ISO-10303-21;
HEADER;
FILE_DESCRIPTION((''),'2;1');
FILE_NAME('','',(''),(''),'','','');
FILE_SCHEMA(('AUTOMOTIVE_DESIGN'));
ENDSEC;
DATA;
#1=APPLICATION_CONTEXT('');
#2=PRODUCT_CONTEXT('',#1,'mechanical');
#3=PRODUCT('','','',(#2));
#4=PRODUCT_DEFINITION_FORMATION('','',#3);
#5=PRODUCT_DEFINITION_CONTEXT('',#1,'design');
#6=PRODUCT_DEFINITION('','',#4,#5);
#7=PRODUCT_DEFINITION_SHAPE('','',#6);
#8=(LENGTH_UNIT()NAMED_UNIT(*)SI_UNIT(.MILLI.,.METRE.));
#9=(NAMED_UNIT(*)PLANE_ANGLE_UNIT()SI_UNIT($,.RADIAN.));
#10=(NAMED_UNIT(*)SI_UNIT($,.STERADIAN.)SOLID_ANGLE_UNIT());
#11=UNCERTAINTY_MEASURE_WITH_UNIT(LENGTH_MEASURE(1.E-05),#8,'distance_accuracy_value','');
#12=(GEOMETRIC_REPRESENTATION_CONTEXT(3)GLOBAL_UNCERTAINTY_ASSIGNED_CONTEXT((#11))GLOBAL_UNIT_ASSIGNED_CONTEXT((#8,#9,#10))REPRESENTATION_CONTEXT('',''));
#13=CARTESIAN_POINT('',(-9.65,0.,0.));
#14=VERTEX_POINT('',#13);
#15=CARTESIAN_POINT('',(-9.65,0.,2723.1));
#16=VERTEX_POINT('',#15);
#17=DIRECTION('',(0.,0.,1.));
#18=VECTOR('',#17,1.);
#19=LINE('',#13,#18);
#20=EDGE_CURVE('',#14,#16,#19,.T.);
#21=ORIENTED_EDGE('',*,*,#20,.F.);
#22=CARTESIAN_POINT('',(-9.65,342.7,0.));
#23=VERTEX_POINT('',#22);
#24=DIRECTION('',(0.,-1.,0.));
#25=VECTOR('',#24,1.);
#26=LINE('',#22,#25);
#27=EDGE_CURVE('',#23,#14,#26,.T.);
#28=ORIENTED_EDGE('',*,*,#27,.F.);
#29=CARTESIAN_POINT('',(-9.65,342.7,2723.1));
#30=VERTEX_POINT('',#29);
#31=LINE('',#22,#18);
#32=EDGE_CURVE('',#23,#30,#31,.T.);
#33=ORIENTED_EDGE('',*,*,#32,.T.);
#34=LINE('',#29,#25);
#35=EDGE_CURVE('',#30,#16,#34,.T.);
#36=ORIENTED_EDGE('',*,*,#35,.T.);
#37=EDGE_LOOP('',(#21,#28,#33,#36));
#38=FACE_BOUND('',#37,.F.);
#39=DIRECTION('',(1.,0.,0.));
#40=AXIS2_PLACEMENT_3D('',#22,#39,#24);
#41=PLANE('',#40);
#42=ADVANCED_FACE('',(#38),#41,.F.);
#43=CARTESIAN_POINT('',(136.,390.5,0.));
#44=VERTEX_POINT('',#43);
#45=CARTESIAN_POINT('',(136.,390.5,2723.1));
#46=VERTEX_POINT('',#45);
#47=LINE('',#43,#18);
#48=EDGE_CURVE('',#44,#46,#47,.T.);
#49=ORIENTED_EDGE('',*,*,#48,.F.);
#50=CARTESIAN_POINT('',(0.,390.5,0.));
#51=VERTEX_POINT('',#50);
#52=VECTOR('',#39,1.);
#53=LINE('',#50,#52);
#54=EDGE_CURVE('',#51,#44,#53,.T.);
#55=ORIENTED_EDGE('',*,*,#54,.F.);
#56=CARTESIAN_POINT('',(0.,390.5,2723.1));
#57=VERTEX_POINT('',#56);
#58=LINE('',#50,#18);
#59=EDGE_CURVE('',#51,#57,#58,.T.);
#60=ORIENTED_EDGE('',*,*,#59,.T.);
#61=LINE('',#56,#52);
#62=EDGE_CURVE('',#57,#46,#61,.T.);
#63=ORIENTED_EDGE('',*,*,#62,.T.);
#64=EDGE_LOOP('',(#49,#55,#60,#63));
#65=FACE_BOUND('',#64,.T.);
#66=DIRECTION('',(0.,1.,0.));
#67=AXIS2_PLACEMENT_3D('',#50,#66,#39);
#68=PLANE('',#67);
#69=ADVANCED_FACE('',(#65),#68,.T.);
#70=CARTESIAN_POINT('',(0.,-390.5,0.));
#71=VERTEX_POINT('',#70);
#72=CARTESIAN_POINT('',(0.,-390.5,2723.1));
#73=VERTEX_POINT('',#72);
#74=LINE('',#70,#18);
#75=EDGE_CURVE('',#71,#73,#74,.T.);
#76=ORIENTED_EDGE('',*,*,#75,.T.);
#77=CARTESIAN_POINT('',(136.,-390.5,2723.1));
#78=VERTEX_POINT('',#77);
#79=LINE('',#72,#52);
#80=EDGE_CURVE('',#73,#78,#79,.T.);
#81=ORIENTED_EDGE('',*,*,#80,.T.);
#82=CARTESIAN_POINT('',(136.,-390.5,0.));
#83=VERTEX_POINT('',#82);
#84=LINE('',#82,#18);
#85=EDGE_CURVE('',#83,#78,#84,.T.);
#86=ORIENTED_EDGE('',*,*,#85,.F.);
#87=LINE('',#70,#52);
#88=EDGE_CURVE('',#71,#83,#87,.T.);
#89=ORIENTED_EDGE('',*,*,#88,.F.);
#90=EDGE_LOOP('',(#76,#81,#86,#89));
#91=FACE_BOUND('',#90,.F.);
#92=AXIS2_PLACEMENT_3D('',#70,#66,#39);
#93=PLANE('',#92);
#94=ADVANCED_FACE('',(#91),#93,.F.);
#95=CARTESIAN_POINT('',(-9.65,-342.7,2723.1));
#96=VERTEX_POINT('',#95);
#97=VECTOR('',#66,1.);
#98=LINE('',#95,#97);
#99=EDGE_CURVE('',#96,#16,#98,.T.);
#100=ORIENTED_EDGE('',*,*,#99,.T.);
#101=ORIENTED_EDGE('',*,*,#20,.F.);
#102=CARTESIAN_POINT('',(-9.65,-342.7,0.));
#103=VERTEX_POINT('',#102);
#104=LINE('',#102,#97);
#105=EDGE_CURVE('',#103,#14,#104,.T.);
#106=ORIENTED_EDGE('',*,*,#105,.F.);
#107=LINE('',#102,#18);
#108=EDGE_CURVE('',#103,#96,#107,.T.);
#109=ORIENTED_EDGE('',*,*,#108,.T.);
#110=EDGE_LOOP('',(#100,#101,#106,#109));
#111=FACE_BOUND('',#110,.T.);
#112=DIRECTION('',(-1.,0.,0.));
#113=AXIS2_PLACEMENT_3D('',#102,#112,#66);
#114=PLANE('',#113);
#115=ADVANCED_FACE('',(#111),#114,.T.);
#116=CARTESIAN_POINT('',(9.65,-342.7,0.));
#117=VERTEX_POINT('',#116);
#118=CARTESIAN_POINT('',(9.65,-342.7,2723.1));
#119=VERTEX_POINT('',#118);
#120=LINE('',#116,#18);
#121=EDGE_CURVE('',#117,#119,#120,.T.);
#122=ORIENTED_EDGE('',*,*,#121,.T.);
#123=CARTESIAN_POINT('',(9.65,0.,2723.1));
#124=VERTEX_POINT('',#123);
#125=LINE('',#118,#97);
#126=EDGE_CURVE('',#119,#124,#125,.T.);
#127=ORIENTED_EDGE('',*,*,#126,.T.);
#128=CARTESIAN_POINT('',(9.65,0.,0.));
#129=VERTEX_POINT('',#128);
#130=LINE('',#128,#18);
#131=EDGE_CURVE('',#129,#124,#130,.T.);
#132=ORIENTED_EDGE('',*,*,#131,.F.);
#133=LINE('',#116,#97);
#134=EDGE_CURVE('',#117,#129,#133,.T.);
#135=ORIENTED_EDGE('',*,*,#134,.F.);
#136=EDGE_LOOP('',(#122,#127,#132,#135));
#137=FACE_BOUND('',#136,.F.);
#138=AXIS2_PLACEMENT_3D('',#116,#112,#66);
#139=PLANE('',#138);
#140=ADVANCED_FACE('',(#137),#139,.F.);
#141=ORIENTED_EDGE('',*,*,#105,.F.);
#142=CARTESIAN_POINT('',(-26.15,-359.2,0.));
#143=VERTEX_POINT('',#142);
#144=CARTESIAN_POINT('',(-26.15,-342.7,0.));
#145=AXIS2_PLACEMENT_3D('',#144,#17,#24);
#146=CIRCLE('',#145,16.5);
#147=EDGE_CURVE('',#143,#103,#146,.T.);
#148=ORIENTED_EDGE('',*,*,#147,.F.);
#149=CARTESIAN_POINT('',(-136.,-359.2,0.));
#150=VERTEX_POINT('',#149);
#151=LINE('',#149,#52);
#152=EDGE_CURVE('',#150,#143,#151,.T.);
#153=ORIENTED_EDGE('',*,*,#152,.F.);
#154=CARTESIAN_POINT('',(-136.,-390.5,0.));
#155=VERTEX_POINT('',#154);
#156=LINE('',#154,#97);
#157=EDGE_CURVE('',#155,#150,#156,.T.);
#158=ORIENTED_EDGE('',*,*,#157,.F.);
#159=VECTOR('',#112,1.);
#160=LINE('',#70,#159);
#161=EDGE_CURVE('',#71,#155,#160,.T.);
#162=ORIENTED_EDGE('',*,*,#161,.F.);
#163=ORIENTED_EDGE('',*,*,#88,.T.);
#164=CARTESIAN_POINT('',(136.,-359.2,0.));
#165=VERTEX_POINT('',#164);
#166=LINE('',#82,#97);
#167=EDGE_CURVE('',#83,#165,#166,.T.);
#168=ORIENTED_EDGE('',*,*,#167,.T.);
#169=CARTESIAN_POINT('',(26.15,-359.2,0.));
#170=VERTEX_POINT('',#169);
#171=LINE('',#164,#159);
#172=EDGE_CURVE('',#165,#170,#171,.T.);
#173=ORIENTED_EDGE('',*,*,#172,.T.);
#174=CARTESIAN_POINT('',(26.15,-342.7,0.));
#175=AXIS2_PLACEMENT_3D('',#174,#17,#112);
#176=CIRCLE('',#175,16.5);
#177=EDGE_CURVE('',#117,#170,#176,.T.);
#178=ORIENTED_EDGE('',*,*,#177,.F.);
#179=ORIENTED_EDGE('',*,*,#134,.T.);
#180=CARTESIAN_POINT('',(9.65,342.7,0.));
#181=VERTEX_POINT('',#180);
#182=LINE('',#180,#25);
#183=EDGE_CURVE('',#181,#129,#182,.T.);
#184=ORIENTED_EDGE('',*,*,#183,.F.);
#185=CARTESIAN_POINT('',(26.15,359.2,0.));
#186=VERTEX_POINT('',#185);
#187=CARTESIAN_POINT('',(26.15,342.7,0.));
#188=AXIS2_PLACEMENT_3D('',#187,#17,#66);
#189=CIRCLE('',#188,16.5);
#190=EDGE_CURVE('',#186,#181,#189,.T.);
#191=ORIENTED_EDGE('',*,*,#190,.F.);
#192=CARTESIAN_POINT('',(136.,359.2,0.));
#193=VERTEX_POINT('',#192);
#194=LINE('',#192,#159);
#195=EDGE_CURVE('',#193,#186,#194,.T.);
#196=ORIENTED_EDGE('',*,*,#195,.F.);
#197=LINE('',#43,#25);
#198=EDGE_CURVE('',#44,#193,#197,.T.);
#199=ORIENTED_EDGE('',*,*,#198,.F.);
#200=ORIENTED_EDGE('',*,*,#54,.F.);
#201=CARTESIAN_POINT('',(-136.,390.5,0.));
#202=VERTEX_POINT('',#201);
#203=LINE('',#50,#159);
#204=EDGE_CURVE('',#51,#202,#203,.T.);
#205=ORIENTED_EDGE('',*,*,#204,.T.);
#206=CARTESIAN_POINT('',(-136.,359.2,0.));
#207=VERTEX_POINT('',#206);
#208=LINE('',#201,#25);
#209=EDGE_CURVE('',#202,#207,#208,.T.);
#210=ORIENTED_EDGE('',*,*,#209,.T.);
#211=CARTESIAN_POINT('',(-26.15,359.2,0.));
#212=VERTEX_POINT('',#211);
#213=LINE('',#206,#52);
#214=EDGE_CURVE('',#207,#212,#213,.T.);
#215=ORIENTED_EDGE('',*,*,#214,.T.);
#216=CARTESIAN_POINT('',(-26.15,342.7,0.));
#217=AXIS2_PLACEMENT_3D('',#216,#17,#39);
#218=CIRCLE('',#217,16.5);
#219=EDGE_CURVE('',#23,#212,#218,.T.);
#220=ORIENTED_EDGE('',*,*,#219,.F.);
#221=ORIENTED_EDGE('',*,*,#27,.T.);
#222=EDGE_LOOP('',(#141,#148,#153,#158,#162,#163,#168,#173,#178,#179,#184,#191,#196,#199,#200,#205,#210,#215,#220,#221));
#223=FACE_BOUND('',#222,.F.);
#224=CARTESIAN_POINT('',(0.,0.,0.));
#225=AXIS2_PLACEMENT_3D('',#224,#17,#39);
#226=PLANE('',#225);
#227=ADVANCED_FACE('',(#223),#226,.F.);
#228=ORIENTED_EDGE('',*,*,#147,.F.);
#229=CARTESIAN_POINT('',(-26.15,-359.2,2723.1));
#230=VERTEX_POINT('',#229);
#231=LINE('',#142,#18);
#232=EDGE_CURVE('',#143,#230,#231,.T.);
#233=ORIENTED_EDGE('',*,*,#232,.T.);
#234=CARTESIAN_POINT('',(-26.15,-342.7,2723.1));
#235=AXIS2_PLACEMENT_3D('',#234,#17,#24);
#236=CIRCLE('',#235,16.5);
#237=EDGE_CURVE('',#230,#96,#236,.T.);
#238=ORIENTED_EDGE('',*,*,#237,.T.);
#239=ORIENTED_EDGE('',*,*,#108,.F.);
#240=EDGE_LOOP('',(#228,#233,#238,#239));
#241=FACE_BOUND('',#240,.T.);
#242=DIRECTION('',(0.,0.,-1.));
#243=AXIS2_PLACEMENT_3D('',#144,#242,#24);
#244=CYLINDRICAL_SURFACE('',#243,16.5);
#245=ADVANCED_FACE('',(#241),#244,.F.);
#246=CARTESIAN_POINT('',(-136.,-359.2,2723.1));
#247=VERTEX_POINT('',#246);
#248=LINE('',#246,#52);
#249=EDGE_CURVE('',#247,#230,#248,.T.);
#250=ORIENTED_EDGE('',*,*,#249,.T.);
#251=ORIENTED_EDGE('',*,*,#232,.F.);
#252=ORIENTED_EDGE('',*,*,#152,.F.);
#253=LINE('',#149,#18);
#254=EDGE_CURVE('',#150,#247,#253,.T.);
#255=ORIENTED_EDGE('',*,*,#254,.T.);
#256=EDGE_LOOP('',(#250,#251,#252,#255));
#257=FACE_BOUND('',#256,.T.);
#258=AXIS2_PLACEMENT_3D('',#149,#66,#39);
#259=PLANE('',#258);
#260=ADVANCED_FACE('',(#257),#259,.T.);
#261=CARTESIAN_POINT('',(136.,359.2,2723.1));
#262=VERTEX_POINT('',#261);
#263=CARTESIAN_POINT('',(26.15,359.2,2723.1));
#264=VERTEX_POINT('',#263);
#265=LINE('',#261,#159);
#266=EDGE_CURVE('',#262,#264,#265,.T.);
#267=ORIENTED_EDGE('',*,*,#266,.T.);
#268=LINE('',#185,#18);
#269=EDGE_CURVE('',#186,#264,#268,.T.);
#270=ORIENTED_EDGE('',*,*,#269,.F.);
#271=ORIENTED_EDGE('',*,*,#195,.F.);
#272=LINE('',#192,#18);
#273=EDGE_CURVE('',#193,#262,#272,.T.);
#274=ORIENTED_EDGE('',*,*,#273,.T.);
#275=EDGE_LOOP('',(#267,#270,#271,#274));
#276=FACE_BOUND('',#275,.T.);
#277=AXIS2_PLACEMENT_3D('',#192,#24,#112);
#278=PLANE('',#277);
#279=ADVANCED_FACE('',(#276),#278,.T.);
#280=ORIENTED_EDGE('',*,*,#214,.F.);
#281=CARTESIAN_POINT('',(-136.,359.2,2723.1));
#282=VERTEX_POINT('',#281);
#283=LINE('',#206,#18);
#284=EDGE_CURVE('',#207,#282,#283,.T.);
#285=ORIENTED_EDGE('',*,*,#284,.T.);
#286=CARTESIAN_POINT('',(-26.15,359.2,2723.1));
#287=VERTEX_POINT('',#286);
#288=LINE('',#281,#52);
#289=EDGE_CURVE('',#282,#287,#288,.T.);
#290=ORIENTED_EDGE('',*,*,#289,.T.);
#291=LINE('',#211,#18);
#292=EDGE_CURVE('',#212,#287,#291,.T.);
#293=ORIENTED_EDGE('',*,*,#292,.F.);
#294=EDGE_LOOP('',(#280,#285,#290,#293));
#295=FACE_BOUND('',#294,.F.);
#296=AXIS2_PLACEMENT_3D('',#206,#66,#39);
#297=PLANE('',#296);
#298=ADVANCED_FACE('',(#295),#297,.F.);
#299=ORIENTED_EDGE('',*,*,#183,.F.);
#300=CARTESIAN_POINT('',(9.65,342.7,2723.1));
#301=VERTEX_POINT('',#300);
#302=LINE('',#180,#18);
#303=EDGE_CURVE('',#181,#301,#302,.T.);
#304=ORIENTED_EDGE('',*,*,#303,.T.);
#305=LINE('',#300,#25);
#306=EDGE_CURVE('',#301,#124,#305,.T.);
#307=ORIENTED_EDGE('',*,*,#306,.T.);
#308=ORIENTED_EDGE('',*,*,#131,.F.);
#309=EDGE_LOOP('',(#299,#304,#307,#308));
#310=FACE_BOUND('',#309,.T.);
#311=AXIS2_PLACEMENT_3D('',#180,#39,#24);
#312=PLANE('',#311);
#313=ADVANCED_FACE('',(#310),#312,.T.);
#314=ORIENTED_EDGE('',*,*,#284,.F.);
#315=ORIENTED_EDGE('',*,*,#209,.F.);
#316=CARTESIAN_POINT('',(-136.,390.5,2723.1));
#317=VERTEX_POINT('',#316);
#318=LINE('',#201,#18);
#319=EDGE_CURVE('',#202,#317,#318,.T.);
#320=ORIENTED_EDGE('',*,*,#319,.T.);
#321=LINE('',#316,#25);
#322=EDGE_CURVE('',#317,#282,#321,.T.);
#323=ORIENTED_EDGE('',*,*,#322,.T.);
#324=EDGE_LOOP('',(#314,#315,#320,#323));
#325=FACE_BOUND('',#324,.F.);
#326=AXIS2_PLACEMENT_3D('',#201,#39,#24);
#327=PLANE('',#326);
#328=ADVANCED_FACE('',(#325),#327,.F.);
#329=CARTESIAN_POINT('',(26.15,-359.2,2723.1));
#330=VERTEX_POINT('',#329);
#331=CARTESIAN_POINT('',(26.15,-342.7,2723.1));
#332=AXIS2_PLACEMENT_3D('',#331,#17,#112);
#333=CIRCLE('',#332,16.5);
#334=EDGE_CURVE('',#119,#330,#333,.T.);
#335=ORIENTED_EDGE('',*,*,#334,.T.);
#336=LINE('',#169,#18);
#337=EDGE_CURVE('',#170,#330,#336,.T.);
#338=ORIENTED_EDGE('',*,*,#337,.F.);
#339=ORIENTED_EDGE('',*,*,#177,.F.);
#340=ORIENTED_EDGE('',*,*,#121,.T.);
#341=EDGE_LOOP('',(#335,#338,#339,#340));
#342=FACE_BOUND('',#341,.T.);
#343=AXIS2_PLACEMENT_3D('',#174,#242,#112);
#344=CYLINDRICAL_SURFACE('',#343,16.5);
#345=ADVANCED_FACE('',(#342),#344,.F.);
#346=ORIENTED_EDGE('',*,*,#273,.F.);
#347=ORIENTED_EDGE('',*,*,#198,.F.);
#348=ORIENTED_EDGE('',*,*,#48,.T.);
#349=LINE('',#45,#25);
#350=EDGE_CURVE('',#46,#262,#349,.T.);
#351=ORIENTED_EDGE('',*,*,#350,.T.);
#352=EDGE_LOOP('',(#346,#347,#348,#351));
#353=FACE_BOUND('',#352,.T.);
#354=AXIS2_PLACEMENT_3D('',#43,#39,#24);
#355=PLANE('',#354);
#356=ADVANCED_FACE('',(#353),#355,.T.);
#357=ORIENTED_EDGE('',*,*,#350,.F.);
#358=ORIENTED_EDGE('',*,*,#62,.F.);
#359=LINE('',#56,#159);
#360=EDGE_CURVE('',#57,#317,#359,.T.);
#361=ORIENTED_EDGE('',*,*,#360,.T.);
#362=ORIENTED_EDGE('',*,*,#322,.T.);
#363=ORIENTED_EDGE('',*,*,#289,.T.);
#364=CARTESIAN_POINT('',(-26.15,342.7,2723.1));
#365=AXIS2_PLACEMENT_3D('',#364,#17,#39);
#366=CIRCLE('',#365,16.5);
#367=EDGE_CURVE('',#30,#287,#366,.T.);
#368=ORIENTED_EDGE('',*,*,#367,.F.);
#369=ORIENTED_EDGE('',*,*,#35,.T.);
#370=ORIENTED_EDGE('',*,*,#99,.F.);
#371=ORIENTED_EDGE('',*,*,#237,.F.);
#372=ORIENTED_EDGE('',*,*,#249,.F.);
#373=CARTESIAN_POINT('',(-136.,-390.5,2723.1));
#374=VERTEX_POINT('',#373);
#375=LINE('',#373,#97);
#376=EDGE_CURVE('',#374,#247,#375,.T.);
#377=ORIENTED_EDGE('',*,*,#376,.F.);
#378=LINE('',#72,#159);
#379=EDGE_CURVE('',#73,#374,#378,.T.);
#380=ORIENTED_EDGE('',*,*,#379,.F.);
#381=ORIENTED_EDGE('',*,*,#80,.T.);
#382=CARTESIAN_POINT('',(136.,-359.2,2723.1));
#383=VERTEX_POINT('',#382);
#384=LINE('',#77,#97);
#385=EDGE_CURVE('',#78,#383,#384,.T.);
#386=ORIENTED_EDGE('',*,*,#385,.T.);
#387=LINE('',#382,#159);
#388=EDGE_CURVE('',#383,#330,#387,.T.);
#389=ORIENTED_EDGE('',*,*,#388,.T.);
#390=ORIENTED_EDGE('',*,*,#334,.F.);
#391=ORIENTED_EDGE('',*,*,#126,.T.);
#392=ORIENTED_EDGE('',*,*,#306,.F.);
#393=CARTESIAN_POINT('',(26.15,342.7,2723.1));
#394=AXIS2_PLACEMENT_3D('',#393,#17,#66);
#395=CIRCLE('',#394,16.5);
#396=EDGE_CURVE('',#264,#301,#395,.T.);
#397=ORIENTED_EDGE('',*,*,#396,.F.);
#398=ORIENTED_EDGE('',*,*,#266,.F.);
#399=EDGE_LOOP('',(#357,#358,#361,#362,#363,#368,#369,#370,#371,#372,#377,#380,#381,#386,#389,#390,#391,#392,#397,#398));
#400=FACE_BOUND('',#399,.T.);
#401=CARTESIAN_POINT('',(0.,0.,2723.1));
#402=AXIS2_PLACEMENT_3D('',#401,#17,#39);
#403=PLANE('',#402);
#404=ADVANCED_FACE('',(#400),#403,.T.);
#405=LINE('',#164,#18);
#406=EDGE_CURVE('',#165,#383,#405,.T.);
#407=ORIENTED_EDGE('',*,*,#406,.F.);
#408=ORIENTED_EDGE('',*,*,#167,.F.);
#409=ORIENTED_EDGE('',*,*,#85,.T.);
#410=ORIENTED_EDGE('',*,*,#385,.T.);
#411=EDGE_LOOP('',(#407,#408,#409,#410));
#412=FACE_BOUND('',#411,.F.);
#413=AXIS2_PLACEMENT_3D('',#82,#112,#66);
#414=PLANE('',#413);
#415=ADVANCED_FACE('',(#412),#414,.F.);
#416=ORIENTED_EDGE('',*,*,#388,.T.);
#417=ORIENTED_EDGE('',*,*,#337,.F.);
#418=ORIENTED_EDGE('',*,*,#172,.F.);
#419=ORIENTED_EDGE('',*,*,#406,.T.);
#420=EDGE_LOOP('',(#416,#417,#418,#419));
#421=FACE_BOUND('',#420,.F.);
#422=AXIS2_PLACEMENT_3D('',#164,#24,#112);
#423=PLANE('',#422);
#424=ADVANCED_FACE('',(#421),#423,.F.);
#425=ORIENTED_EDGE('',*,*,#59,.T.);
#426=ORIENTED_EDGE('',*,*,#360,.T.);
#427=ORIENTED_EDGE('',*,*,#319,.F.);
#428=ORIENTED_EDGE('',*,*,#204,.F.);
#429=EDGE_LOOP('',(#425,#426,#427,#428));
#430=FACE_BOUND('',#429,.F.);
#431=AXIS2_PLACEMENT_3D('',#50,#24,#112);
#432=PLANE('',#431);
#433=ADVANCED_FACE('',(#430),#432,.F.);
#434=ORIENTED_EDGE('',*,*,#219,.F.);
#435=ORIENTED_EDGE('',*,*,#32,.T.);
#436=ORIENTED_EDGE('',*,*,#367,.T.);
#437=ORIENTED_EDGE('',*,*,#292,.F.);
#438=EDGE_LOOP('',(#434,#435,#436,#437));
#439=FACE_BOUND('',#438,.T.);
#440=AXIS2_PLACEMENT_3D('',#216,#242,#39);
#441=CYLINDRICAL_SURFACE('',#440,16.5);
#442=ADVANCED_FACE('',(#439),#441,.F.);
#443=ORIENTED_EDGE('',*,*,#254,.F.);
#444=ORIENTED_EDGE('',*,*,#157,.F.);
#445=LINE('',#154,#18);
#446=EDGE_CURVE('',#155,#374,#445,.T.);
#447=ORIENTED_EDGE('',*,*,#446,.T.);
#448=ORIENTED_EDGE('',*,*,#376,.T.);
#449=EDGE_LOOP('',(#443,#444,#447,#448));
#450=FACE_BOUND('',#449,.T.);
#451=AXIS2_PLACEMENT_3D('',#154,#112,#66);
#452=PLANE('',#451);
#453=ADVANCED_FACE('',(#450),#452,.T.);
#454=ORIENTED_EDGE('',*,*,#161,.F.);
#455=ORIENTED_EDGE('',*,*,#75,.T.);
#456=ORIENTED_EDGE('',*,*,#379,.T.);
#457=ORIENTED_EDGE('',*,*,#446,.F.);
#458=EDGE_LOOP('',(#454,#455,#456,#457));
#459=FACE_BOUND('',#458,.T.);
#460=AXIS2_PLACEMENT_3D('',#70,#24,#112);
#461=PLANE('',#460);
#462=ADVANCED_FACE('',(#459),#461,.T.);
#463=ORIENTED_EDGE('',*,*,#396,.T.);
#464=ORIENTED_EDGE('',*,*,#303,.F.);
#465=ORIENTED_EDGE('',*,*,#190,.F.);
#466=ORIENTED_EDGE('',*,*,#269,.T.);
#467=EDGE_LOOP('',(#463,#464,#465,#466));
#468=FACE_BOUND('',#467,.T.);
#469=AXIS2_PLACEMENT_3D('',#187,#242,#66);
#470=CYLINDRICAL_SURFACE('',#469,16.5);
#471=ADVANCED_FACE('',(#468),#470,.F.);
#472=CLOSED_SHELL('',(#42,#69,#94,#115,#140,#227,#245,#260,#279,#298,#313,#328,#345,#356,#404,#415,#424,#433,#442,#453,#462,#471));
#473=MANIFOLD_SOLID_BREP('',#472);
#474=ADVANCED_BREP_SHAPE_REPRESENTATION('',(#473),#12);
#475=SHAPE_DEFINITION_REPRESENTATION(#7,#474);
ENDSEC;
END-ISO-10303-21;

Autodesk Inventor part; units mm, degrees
ref_plane "YZ Plane" through (0, 0, 0) normal (1, 0, 0) x (0, 1, 0)
ref_plane "Start plane" through (0, 0, 0) normal (0, 0, 1) x (1, 0, 0)
ref_plane "End plane" through (0, 0, 2723.1) normal (0, 0, 1) x (1, 0, 0)
sketch "Sketch" plane through (0, 0, 0) normal (0, 0, 1) x (1, 0, 0)
  line L0 (-136, -390.5) -> (-136, -359.2)
  line L1 (-136, -359.2) -> (-26.15, -359.2)
  line L2 (-9.65, -342.7) -> (-9.65, 0)
  line L3 (-9.65, 0) -> (0, 0) construction
  line L4 (0, 0) -> (0, -390.5) construction
  line L5 (0, -390.5) -> (-136, -390.5)
  line L6 (-60, 0) -> (80, 0) construction
  line L7 (0, -60) -> (0, 80) construction
  line L8 (136, -390.5) -> (136, -359.2)
  line L9 (136, -359.2) -> (26.15, -359.2)
  line L10 (9.65, -342.7) -> (9.65, 0)
  line L11 (9.65, 0) -> (0, 0) construction
  line L12 (0, -390.5) -> (136, -390.5)
  line L13 (-136, 390.5) -> (-136, 359.2)
  line L14 (-136, 359.2) -> (-26.15, 359.2)
  line L15 (-9.65, 342.7) -> (-9.65, 0)
  line L16 (0, 390.5) -> (-136, 390.5)
  line L17 (136, 390.5) -> (136, 359.2)
  line L18 (136, 359.2) -> (26.15, 359.2)
  line L19 (0, 390.5) -> (136, 390.5)
  line L20 (9.65, 342.7) -> (9.65, 0)
  arc A0 (-9.65, 342.7) -> (-26.15, 359.2) centre (-26.15, 342.7) ccw
  arc A1 (26.15, 359.2) -> (9.65, 342.7) centre (26.15, 342.7) ccw
  arc A2 (9.65, -342.7) -> (26.15, -359.2) centre (26.15, -342.7) ccw
  arc A3 (-26.15, -359.2) -> (-9.65, -342.7) centre (-26.15, -342.7) ccw
  line L21 (0, 108) -> (0, -88) construction
  line L22 (-88, 0) -> (108, 0) construction
  point P0 (-9.65, -359.2)
  point P1 (9.65, -359.2)
  point P2 (-9.65, 359.2)
  point P3 (9.65, 359.2)
  dimension "d1" = 390.5
  dimension "d2" = 31.3
  dimension "d3" = 136
  dimension "d4" = 9.65
  dimension "d10" = 16.5
extrude "Body" add sketch "Sketch" along normal up to surface (2723.1 mm away) from surface at 0
sketch "Sketch4" plane through (0, 0, 0) normal (0, 0, 1) x (1, 0, 0)
  line L0 (0, 0) -> (10, 0)
ref_plane "Work Plane3" through (0, 0, 0) normal (0, -1, 0) x (1, 0, 0)
sketch "Sketch5" plane through (0, 0, 0) normal (0, -1, 0) x (1, 0, 0)
  line L0 (-2, 0) -> (12, 0) projected
  line L1 (-2, 2723.1) -> (12, 2723.1) projected
  dimension "d14" = 2723.1
equation "\"d1\" = 0.5 * G_H"
equation "\"d2\" = G_T1"
equation "\"d3\" = 0.5 * G_W"
equation "\"d4\" = 0.5 * G_T"
equation "\"d10\" = G_IR"
equation "\"d5\" = G_L"
equation "\"G_W\" = 272"
equation "\"G_H\" = 781"
equation "\"G_T\" = 19.3"
equation "\"G_T1\" = 31.3"
equation "\"G_IR\" = 16.5"
equation "\"G_L\" = d14"
equation "\"G_OFFSET_START\" = 0"
equation "\"G_OFFSET_END\" = 0"
equation "\"d12\" = G_OFFSET_END + B_L"
equation "\"B_L\" = 2723.1"
properties part number "AS 3679-1990 - 760 UB - 244 - 2723.1" material "Steel, Mild"
